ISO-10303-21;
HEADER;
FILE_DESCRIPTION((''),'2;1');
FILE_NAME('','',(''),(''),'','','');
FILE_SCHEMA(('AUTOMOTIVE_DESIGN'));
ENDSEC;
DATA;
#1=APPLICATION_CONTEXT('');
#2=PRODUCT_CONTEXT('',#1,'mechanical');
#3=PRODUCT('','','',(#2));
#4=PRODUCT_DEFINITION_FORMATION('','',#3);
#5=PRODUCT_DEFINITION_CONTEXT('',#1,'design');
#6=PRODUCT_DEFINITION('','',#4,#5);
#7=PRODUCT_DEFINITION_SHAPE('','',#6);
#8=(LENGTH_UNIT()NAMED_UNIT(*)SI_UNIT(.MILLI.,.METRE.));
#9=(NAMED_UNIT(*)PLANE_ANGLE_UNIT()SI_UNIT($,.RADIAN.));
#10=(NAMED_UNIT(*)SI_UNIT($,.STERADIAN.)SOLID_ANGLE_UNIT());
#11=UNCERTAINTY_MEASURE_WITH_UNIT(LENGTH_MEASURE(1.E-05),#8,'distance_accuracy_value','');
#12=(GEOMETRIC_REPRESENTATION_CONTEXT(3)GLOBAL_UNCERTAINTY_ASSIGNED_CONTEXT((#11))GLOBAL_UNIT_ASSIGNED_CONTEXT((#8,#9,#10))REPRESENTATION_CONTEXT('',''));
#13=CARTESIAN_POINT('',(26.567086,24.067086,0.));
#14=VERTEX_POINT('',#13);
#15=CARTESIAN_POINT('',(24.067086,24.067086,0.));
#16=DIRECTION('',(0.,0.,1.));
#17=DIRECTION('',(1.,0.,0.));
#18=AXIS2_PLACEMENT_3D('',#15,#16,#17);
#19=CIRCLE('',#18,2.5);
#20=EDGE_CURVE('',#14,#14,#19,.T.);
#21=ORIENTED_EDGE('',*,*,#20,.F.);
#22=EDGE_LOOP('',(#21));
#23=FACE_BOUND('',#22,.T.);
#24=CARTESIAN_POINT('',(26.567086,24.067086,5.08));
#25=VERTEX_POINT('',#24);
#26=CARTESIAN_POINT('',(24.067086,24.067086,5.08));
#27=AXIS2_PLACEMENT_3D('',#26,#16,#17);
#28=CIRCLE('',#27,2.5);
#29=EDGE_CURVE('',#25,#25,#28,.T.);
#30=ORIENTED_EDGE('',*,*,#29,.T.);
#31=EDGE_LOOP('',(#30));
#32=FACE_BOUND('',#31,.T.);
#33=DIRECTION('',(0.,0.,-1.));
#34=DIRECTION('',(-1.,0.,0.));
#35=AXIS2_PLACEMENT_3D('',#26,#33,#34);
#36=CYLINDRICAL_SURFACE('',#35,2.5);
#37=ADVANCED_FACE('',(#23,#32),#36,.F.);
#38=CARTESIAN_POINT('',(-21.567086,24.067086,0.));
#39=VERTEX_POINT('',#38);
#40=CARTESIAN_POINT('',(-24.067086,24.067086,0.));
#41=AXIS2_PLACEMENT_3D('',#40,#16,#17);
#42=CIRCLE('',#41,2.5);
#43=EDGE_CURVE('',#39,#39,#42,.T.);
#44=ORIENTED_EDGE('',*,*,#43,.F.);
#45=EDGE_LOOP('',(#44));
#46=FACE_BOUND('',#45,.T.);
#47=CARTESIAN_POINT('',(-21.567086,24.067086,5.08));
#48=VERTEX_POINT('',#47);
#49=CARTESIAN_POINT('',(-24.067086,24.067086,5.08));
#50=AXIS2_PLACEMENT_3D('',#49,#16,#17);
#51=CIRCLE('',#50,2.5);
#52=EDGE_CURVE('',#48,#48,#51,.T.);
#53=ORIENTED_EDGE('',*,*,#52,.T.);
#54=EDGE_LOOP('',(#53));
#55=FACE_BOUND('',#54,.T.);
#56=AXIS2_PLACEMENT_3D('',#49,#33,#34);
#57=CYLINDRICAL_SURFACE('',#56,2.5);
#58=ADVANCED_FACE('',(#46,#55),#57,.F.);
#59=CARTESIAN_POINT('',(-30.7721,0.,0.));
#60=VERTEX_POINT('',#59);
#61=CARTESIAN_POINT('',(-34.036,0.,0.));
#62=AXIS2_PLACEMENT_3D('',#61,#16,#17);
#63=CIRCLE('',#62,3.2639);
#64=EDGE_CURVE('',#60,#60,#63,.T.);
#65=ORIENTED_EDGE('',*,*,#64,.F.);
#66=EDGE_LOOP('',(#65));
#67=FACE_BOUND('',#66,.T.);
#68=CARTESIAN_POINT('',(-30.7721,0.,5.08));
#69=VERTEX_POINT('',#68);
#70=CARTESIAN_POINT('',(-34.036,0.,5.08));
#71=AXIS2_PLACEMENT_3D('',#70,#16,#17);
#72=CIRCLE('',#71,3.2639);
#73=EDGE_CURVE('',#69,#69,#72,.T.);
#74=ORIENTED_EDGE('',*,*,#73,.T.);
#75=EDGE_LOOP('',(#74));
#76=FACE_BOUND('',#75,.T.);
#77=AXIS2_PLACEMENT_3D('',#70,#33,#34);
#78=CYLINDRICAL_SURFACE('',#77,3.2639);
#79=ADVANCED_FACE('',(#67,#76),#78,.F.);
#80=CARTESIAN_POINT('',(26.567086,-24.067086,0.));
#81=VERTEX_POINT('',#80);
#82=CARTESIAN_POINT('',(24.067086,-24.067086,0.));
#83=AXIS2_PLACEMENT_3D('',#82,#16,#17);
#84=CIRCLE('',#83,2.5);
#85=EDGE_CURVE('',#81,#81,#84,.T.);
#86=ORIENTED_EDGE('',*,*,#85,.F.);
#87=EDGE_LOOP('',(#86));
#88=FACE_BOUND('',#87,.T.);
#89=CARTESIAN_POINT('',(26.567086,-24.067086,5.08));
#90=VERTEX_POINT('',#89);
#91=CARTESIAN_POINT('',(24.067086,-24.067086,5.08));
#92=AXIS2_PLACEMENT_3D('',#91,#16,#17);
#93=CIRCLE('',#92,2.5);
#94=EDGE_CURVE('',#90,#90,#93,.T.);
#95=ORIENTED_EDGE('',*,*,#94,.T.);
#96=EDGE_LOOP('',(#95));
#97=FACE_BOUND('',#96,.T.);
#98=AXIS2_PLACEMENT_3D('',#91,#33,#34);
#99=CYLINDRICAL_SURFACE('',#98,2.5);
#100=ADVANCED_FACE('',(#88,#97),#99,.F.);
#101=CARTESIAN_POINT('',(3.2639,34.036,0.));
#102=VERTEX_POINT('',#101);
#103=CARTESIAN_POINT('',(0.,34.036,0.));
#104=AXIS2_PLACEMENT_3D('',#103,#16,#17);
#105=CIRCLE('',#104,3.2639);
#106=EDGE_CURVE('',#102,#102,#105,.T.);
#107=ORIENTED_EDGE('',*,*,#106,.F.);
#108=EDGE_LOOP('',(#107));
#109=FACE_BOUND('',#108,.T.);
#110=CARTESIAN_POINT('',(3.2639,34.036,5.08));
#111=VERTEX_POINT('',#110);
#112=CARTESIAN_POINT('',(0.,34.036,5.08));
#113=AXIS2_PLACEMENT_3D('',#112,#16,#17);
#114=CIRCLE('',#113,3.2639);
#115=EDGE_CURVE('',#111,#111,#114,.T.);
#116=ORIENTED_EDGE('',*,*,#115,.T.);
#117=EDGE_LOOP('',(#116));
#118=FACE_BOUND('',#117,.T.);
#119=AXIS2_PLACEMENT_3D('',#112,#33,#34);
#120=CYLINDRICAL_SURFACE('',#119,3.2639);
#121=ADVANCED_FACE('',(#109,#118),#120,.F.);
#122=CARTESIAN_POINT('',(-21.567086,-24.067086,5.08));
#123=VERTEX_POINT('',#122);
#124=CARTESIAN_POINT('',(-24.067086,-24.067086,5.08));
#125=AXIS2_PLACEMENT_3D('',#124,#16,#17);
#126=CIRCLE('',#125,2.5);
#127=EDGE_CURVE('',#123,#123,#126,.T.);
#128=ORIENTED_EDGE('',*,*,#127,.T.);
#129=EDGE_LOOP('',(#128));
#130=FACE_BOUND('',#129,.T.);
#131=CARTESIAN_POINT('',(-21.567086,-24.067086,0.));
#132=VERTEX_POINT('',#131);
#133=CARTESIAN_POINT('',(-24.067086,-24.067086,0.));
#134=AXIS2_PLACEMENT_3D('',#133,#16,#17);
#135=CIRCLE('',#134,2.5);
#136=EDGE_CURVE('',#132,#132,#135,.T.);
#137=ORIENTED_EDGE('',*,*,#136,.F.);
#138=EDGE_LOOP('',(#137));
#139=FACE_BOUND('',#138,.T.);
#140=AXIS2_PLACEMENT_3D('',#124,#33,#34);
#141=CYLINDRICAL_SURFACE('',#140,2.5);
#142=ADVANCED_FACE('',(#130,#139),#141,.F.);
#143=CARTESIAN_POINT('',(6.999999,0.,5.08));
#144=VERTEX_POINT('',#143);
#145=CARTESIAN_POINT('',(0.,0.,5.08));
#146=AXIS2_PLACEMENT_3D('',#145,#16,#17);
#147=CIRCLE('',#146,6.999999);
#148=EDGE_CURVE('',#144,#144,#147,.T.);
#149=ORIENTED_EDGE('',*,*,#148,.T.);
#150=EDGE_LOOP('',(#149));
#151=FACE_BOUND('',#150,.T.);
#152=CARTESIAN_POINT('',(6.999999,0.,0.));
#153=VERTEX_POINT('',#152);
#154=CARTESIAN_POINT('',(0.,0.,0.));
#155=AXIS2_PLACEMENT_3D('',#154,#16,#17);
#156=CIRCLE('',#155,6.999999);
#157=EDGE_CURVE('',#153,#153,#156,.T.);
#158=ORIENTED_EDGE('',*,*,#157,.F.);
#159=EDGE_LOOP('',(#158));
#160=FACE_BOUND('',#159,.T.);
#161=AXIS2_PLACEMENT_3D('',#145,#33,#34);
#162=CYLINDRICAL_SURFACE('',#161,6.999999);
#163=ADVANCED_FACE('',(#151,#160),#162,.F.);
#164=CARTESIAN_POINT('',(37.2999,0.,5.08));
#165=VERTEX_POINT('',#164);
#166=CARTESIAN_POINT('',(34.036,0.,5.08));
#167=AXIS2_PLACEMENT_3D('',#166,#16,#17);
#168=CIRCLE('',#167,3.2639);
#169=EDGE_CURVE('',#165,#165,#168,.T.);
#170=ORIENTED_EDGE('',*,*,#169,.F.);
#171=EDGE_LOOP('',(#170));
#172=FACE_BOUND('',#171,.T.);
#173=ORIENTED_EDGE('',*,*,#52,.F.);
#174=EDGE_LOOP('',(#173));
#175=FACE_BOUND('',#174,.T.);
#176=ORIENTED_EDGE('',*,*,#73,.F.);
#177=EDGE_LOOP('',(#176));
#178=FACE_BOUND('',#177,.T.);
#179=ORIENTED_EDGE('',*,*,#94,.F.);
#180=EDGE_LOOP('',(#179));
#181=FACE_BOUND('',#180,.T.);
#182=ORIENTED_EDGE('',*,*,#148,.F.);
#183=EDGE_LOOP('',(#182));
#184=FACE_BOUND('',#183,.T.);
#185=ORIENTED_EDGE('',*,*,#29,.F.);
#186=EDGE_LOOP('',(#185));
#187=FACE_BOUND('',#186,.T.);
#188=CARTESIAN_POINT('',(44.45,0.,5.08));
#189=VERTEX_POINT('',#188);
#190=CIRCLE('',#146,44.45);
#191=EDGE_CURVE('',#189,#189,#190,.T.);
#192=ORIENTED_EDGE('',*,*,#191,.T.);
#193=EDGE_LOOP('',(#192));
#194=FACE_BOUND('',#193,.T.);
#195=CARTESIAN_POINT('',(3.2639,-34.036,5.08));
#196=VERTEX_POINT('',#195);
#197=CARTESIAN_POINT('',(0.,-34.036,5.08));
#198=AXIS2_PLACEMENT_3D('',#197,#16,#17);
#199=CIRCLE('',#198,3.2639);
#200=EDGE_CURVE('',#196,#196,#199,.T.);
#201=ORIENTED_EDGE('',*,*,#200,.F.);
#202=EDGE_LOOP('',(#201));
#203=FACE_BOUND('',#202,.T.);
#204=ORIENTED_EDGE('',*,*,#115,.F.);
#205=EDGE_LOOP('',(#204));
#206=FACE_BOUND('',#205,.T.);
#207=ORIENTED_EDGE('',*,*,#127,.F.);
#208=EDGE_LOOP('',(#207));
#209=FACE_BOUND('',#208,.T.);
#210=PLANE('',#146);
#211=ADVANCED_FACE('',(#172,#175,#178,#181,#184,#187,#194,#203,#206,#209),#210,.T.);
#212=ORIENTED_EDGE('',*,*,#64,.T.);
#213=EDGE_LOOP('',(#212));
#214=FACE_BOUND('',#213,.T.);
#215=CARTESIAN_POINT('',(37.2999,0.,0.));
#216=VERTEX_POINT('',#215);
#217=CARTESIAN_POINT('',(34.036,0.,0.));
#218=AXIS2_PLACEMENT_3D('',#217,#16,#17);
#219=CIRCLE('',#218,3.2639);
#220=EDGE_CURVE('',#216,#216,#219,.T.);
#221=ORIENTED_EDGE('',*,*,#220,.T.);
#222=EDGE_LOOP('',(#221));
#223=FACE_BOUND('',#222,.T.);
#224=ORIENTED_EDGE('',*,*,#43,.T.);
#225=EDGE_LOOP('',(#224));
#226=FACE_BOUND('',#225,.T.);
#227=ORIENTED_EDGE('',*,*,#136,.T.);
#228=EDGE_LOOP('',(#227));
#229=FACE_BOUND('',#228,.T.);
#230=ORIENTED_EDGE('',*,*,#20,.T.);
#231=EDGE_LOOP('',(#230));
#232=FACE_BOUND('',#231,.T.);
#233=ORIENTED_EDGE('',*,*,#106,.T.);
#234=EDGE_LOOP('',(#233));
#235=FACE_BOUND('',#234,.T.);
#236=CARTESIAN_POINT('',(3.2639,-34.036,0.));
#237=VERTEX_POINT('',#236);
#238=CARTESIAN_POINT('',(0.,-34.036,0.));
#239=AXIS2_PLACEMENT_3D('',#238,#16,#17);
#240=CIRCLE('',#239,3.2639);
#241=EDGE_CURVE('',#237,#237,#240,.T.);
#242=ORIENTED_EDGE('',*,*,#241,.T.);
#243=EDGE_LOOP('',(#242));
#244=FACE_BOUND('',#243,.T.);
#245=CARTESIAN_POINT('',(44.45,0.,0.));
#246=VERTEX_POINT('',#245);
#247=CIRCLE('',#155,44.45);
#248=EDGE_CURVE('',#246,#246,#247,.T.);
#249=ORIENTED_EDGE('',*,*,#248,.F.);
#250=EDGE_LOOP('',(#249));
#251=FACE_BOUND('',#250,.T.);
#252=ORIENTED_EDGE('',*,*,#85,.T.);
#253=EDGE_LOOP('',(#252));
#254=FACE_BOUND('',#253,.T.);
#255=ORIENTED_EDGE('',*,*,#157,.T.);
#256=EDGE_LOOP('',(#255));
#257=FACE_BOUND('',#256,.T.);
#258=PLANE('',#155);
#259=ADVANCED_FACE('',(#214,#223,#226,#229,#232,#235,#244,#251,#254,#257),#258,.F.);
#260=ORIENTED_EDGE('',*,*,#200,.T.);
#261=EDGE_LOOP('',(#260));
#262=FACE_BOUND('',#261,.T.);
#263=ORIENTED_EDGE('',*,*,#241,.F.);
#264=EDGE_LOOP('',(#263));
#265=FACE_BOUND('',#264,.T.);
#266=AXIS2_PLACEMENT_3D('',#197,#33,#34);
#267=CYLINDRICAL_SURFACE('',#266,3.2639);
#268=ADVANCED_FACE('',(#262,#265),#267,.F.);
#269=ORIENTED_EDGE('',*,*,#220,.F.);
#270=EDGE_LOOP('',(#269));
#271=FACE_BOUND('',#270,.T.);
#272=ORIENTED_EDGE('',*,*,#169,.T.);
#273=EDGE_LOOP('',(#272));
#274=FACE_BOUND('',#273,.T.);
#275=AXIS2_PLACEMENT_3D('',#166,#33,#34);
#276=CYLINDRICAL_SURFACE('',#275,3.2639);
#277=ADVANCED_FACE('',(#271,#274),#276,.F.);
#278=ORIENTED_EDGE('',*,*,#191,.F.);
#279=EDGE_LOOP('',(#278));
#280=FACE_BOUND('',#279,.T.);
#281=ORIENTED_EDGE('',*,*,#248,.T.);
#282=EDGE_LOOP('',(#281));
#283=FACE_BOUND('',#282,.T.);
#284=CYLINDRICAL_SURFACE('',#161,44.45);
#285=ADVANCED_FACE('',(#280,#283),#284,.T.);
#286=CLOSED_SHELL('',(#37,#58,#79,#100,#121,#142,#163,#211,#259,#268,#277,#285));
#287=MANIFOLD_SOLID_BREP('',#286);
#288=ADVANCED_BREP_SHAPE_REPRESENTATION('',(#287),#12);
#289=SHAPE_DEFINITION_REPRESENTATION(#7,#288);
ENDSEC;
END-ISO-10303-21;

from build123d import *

# Parameters (mm, degrees)
SKETCH1_R           = 44.45
SKETCH1_R_2         = 6.9999987
SKETCH1_R_3         = 3.2639
SKETCH1_R_4         = 2.5
BOSS_EXTRUDE1_DEPTH = 5.08


with BuildPart() as part:
    # Sketch1 → Boss-Extrude1 (new body)
    with BuildSketch(Plane.XY):
        Circle(SKETCH1_R)
        Circle(SKETCH1_R_2, mode=Mode.SUBTRACT)
        with Locations((0, 34.036)):
            Circle(SKETCH1_R_3, mode=Mode.SUBTRACT)
        with Locations((34.036, 0)):
            Circle(SKETCH1_R_3, mode=Mode.SUBTRACT)
        with Locations((0, -34.036)):
            Circle(SKETCH1_R_3, mode=Mode.SUBTRACT)
        with Locations((-34.036, 0)):
            Circle(SKETCH1_R_3, mode=Mode.SUBTRACT)
        with Locations((24.067086404, 24.067086404)):
            Circle(SKETCH1_R_4, mode=Mode.SUBTRACT)
        with Locations((24.067086404, -24.067086404)):
            Circle(SKETCH1_R_4, mode=Mode.SUBTRACT)
        with Locations((-24.067086404, -24.067086404)):
            Circle(SKETCH1_R_4, mode=Mode.SUBTRACT)
        with Locations((-24.067086404, 24.067086404)):
            Circle(SKETCH1_R_4, mode=Mode.SUBTRACT)
    extrude(amount=BOSS_EXTRUDE1_DEPTH)


solid = part.part
